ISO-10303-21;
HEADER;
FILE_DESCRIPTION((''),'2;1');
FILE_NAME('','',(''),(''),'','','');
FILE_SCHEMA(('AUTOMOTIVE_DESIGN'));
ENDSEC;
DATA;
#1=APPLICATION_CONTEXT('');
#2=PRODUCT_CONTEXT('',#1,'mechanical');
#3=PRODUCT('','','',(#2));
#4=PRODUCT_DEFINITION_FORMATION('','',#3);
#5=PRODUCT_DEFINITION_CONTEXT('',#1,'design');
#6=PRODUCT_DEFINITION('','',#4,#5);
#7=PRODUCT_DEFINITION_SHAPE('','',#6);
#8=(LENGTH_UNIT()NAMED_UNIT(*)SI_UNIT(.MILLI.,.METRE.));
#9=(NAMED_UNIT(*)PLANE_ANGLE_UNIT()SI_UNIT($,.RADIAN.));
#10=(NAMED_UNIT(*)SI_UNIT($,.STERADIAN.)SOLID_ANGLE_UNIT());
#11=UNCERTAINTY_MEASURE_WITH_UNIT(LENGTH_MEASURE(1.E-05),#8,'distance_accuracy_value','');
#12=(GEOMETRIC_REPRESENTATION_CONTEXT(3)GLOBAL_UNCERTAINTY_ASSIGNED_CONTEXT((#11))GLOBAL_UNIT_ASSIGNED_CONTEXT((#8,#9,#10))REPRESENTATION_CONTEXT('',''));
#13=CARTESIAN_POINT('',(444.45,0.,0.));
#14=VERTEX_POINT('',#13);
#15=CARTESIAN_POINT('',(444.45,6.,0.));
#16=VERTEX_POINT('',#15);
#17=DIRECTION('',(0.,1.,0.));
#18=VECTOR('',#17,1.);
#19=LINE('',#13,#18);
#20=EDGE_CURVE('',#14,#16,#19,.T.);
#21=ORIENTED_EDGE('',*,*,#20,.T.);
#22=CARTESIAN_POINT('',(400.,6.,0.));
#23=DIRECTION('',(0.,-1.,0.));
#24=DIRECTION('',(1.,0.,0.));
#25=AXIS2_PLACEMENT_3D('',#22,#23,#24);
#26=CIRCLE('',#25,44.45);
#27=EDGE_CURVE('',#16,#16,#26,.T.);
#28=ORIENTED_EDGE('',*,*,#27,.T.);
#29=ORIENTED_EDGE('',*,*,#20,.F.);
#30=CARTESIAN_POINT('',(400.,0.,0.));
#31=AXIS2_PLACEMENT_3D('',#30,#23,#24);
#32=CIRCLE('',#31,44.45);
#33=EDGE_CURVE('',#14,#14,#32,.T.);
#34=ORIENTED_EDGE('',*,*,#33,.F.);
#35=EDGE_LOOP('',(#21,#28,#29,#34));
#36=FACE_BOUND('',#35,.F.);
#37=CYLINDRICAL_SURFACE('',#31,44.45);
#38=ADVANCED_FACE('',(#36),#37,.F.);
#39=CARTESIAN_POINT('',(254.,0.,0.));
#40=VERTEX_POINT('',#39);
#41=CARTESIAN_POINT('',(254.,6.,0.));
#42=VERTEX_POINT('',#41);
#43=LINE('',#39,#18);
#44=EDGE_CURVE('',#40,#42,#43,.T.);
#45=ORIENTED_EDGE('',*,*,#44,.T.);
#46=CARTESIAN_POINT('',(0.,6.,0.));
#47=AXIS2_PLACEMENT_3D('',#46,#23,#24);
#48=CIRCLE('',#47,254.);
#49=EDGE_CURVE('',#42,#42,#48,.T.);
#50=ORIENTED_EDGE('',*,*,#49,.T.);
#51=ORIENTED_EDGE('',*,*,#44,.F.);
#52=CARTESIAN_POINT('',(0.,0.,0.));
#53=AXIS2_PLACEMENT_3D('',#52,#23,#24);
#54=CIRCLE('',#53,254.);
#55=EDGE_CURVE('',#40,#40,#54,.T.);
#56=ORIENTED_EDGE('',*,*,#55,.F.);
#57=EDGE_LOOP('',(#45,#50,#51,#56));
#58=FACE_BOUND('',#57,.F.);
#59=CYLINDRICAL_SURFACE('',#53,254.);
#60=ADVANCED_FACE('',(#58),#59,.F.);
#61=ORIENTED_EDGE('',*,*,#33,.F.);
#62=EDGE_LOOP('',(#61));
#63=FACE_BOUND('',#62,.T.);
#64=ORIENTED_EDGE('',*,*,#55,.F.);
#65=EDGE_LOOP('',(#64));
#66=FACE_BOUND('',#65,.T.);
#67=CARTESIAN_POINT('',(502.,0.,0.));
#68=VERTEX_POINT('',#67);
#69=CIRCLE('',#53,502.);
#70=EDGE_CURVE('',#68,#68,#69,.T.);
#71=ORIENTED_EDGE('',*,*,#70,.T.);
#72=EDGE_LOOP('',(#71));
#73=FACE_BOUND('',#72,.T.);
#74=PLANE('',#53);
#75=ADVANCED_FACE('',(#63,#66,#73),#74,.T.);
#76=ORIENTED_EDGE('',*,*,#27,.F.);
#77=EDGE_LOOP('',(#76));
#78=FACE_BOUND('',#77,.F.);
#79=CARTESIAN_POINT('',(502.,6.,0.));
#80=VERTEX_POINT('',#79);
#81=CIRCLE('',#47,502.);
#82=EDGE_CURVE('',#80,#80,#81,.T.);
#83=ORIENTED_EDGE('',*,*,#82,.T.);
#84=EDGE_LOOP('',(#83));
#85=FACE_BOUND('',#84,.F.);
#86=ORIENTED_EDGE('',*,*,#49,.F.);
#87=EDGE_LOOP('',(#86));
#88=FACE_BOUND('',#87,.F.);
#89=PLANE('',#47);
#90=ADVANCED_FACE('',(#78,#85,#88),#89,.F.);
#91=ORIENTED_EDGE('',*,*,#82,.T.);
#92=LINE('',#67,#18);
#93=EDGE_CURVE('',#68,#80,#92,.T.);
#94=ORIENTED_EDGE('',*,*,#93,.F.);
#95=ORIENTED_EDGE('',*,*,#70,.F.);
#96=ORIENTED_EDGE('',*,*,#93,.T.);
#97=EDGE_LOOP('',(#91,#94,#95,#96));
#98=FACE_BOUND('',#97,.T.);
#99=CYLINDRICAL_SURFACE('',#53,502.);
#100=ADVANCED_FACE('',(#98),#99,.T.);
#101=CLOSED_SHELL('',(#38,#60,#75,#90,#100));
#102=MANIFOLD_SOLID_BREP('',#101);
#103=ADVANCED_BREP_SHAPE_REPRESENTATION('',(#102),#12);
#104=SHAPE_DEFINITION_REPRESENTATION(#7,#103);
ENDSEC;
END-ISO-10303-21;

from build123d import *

# Parameters (mm, degrees)
F0_R     = 502
F0_R_2   = 254
F0_R_3   = 44.45
F1_DEPTH = 6


with BuildPart() as f1:
    # F0 (on Front) → F1 (new body)
    with BuildSketch(Plane.XZ):
        Circle(F0_R)
        Circle(F0_R_2, mode=Mode.SUBTRACT)
        with Locations((400, 0)):
            Circle(F0_R_3, mode=Mode.SUBTRACT)
    extrude(amount=-F1_DEPTH)


solid = f1.part
